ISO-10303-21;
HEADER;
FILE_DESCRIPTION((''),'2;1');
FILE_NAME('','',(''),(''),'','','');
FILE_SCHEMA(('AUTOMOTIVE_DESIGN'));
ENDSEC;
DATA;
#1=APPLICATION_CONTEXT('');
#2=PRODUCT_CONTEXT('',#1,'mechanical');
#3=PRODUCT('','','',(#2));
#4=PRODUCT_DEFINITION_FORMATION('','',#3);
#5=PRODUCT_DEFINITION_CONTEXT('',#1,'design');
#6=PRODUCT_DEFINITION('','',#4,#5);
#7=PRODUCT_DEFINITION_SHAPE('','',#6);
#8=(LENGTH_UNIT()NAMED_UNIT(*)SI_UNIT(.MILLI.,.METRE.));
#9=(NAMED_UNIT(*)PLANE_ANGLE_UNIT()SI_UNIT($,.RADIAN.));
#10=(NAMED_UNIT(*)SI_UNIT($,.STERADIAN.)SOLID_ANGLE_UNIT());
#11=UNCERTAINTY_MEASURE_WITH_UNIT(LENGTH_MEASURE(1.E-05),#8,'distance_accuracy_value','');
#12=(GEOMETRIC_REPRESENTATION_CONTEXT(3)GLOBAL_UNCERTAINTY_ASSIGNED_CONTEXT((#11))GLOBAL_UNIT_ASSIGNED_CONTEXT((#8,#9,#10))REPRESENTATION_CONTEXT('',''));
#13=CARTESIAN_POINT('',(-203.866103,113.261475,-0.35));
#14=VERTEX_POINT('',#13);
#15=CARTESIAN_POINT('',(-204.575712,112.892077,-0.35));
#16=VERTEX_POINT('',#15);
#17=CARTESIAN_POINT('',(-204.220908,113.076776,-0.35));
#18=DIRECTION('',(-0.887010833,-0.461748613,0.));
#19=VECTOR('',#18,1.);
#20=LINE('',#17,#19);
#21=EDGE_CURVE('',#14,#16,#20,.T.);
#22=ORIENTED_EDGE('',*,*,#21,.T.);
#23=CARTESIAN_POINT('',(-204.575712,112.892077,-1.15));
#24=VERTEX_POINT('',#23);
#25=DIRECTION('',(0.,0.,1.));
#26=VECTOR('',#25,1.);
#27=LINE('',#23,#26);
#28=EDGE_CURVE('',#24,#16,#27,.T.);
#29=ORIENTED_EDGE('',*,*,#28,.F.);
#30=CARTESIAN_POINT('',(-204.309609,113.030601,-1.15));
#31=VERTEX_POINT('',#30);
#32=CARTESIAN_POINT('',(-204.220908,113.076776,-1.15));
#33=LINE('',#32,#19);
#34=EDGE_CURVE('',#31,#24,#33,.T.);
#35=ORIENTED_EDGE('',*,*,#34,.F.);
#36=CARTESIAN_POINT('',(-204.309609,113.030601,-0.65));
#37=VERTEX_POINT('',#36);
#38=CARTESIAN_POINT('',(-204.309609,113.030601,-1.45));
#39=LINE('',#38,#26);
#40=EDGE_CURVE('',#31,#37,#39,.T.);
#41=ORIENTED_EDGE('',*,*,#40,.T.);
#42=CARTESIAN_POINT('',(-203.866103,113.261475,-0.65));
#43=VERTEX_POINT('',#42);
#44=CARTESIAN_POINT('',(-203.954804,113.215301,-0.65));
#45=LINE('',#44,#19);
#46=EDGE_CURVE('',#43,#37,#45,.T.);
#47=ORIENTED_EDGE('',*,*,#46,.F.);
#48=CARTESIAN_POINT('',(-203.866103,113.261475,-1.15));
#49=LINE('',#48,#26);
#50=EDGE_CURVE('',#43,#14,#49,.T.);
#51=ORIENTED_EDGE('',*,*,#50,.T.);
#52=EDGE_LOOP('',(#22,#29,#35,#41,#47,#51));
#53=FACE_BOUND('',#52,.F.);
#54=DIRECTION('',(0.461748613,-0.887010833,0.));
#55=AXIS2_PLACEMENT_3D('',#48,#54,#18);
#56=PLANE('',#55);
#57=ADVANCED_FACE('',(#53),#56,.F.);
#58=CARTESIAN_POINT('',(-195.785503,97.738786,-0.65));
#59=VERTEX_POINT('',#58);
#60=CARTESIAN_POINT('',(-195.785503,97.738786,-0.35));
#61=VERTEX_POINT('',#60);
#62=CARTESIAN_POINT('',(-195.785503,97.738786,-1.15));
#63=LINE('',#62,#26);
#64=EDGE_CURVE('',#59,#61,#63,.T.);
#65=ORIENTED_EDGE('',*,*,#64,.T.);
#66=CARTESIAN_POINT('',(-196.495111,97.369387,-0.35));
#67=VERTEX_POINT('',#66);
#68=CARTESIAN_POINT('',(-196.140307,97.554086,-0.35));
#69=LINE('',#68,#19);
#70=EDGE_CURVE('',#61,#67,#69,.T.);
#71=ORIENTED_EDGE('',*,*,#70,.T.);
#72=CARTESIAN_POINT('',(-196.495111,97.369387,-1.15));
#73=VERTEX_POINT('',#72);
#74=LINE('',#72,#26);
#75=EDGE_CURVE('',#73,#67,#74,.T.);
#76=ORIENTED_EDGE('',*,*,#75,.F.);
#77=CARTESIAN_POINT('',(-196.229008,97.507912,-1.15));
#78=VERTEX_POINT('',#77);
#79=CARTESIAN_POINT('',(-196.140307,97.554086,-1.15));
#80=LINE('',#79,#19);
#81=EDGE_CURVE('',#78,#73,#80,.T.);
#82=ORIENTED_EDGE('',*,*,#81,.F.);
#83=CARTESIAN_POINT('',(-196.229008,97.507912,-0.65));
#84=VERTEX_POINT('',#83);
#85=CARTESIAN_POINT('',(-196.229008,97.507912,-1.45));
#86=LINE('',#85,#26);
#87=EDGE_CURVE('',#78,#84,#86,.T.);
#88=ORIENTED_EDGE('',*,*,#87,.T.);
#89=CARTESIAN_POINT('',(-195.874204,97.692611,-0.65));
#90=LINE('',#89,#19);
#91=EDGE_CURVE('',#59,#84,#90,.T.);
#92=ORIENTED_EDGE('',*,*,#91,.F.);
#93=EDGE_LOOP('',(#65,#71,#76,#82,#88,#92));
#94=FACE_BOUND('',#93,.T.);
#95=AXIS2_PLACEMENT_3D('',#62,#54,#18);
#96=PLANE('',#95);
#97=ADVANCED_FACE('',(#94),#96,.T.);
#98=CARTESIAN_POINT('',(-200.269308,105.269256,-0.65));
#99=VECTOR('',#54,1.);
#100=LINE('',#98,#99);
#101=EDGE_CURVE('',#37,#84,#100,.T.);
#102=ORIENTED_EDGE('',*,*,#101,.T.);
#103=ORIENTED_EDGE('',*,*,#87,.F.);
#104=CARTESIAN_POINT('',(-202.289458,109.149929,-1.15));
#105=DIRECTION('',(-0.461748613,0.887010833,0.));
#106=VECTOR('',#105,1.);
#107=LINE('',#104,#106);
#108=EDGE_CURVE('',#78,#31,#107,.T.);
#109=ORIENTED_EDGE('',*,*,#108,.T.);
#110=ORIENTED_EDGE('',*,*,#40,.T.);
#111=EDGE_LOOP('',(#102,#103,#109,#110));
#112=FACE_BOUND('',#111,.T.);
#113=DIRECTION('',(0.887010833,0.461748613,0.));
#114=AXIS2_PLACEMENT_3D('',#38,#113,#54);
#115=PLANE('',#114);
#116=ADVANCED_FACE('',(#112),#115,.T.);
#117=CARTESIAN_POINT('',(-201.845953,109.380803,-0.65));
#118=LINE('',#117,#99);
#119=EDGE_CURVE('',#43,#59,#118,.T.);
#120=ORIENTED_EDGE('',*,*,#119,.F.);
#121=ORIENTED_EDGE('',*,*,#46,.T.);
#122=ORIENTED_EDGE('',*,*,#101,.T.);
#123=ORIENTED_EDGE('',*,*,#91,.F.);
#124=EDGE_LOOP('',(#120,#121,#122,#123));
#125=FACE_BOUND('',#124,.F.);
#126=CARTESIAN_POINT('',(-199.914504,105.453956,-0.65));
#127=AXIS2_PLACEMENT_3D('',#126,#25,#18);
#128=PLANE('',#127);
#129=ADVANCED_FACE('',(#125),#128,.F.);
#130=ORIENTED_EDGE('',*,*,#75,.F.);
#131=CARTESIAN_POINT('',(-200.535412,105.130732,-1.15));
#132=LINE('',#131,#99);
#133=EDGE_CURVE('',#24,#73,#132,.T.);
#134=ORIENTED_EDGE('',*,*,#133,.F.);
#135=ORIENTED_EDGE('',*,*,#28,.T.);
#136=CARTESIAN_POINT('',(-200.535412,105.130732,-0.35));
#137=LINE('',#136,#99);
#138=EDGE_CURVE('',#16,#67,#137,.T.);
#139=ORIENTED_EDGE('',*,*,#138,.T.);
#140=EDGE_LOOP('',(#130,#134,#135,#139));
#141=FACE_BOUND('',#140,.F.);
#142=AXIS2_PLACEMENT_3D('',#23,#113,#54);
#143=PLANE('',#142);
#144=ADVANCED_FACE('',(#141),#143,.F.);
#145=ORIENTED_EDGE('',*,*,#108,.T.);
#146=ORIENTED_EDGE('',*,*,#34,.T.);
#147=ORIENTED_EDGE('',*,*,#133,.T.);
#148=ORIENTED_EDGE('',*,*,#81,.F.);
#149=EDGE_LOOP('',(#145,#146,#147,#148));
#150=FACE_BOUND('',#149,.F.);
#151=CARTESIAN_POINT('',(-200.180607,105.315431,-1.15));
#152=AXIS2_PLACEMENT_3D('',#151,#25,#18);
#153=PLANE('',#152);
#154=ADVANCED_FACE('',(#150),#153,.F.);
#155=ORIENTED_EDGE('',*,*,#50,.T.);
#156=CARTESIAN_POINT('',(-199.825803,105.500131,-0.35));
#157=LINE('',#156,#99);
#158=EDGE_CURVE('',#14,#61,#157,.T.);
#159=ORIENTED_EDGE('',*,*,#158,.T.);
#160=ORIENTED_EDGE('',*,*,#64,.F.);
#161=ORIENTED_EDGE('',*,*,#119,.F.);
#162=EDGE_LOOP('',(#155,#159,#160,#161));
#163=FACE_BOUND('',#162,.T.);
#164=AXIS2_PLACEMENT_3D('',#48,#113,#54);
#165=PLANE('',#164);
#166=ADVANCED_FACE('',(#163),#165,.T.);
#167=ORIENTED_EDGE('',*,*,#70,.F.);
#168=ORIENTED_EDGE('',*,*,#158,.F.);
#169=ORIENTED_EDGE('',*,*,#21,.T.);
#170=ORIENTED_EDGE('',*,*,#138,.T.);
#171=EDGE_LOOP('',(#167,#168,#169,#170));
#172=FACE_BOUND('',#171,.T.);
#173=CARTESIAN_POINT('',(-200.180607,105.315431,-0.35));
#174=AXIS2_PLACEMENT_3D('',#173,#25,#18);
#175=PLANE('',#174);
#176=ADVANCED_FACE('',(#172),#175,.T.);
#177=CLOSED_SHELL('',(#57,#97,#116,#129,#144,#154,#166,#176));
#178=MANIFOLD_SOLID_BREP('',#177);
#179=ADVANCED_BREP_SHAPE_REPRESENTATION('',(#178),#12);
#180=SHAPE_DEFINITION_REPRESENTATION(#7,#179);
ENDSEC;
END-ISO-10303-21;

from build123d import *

# Parameters (mm, degrees)
BOX165_W               = 0.8
BOX165_H               = 17.5
BOX165_DEPTH           = 0.8
BOX166_W               = 0.8
BOX166_H               = 17.5
BOX166_DEPTH           = 0.8
CUT086_PLACEMENT_ANGLE = 207.5


with BuildPart() as cubo165:
    # Box165 → Box165 (new body)
    with BuildSketch(Plane.XY):
        with Locations((0.4, 8.75)):
            Rectangle(BOX165_W, BOX165_H)
    extrude(amount=BOX165_DEPTH)


with BuildPart() as perfil_l_2da_cara028:
    # Box166 → Box166 (new body)
    with BuildSketch(Plane(origin=(0.3, 0, 0.3), x_dir=(1, 0, 0), z_dir=(0, 0, 1))):
        with Locations((0.4, 8.75)):
            Rectangle(BOX166_W, BOX166_H)
    extrude(amount=BOX166_DEPTH)

    # Cut086: cut Cubo165
    add(cubo165.part, mode=Mode.SUBTRACT)


with BuildPart() as perfil_l_2da_cara028_1:
    # Cut086 placement: moved
    add(perfil_l_2da_cara028.part.moved(Location((-203.6, 113.4, -1.45))).rotate(Axis((-203.6, 113.4, -1.45), (0, 0, 1)), CUT086_PLACEMENT_ANGLE))


solid = perfil_l_2da_cara028_1.part
